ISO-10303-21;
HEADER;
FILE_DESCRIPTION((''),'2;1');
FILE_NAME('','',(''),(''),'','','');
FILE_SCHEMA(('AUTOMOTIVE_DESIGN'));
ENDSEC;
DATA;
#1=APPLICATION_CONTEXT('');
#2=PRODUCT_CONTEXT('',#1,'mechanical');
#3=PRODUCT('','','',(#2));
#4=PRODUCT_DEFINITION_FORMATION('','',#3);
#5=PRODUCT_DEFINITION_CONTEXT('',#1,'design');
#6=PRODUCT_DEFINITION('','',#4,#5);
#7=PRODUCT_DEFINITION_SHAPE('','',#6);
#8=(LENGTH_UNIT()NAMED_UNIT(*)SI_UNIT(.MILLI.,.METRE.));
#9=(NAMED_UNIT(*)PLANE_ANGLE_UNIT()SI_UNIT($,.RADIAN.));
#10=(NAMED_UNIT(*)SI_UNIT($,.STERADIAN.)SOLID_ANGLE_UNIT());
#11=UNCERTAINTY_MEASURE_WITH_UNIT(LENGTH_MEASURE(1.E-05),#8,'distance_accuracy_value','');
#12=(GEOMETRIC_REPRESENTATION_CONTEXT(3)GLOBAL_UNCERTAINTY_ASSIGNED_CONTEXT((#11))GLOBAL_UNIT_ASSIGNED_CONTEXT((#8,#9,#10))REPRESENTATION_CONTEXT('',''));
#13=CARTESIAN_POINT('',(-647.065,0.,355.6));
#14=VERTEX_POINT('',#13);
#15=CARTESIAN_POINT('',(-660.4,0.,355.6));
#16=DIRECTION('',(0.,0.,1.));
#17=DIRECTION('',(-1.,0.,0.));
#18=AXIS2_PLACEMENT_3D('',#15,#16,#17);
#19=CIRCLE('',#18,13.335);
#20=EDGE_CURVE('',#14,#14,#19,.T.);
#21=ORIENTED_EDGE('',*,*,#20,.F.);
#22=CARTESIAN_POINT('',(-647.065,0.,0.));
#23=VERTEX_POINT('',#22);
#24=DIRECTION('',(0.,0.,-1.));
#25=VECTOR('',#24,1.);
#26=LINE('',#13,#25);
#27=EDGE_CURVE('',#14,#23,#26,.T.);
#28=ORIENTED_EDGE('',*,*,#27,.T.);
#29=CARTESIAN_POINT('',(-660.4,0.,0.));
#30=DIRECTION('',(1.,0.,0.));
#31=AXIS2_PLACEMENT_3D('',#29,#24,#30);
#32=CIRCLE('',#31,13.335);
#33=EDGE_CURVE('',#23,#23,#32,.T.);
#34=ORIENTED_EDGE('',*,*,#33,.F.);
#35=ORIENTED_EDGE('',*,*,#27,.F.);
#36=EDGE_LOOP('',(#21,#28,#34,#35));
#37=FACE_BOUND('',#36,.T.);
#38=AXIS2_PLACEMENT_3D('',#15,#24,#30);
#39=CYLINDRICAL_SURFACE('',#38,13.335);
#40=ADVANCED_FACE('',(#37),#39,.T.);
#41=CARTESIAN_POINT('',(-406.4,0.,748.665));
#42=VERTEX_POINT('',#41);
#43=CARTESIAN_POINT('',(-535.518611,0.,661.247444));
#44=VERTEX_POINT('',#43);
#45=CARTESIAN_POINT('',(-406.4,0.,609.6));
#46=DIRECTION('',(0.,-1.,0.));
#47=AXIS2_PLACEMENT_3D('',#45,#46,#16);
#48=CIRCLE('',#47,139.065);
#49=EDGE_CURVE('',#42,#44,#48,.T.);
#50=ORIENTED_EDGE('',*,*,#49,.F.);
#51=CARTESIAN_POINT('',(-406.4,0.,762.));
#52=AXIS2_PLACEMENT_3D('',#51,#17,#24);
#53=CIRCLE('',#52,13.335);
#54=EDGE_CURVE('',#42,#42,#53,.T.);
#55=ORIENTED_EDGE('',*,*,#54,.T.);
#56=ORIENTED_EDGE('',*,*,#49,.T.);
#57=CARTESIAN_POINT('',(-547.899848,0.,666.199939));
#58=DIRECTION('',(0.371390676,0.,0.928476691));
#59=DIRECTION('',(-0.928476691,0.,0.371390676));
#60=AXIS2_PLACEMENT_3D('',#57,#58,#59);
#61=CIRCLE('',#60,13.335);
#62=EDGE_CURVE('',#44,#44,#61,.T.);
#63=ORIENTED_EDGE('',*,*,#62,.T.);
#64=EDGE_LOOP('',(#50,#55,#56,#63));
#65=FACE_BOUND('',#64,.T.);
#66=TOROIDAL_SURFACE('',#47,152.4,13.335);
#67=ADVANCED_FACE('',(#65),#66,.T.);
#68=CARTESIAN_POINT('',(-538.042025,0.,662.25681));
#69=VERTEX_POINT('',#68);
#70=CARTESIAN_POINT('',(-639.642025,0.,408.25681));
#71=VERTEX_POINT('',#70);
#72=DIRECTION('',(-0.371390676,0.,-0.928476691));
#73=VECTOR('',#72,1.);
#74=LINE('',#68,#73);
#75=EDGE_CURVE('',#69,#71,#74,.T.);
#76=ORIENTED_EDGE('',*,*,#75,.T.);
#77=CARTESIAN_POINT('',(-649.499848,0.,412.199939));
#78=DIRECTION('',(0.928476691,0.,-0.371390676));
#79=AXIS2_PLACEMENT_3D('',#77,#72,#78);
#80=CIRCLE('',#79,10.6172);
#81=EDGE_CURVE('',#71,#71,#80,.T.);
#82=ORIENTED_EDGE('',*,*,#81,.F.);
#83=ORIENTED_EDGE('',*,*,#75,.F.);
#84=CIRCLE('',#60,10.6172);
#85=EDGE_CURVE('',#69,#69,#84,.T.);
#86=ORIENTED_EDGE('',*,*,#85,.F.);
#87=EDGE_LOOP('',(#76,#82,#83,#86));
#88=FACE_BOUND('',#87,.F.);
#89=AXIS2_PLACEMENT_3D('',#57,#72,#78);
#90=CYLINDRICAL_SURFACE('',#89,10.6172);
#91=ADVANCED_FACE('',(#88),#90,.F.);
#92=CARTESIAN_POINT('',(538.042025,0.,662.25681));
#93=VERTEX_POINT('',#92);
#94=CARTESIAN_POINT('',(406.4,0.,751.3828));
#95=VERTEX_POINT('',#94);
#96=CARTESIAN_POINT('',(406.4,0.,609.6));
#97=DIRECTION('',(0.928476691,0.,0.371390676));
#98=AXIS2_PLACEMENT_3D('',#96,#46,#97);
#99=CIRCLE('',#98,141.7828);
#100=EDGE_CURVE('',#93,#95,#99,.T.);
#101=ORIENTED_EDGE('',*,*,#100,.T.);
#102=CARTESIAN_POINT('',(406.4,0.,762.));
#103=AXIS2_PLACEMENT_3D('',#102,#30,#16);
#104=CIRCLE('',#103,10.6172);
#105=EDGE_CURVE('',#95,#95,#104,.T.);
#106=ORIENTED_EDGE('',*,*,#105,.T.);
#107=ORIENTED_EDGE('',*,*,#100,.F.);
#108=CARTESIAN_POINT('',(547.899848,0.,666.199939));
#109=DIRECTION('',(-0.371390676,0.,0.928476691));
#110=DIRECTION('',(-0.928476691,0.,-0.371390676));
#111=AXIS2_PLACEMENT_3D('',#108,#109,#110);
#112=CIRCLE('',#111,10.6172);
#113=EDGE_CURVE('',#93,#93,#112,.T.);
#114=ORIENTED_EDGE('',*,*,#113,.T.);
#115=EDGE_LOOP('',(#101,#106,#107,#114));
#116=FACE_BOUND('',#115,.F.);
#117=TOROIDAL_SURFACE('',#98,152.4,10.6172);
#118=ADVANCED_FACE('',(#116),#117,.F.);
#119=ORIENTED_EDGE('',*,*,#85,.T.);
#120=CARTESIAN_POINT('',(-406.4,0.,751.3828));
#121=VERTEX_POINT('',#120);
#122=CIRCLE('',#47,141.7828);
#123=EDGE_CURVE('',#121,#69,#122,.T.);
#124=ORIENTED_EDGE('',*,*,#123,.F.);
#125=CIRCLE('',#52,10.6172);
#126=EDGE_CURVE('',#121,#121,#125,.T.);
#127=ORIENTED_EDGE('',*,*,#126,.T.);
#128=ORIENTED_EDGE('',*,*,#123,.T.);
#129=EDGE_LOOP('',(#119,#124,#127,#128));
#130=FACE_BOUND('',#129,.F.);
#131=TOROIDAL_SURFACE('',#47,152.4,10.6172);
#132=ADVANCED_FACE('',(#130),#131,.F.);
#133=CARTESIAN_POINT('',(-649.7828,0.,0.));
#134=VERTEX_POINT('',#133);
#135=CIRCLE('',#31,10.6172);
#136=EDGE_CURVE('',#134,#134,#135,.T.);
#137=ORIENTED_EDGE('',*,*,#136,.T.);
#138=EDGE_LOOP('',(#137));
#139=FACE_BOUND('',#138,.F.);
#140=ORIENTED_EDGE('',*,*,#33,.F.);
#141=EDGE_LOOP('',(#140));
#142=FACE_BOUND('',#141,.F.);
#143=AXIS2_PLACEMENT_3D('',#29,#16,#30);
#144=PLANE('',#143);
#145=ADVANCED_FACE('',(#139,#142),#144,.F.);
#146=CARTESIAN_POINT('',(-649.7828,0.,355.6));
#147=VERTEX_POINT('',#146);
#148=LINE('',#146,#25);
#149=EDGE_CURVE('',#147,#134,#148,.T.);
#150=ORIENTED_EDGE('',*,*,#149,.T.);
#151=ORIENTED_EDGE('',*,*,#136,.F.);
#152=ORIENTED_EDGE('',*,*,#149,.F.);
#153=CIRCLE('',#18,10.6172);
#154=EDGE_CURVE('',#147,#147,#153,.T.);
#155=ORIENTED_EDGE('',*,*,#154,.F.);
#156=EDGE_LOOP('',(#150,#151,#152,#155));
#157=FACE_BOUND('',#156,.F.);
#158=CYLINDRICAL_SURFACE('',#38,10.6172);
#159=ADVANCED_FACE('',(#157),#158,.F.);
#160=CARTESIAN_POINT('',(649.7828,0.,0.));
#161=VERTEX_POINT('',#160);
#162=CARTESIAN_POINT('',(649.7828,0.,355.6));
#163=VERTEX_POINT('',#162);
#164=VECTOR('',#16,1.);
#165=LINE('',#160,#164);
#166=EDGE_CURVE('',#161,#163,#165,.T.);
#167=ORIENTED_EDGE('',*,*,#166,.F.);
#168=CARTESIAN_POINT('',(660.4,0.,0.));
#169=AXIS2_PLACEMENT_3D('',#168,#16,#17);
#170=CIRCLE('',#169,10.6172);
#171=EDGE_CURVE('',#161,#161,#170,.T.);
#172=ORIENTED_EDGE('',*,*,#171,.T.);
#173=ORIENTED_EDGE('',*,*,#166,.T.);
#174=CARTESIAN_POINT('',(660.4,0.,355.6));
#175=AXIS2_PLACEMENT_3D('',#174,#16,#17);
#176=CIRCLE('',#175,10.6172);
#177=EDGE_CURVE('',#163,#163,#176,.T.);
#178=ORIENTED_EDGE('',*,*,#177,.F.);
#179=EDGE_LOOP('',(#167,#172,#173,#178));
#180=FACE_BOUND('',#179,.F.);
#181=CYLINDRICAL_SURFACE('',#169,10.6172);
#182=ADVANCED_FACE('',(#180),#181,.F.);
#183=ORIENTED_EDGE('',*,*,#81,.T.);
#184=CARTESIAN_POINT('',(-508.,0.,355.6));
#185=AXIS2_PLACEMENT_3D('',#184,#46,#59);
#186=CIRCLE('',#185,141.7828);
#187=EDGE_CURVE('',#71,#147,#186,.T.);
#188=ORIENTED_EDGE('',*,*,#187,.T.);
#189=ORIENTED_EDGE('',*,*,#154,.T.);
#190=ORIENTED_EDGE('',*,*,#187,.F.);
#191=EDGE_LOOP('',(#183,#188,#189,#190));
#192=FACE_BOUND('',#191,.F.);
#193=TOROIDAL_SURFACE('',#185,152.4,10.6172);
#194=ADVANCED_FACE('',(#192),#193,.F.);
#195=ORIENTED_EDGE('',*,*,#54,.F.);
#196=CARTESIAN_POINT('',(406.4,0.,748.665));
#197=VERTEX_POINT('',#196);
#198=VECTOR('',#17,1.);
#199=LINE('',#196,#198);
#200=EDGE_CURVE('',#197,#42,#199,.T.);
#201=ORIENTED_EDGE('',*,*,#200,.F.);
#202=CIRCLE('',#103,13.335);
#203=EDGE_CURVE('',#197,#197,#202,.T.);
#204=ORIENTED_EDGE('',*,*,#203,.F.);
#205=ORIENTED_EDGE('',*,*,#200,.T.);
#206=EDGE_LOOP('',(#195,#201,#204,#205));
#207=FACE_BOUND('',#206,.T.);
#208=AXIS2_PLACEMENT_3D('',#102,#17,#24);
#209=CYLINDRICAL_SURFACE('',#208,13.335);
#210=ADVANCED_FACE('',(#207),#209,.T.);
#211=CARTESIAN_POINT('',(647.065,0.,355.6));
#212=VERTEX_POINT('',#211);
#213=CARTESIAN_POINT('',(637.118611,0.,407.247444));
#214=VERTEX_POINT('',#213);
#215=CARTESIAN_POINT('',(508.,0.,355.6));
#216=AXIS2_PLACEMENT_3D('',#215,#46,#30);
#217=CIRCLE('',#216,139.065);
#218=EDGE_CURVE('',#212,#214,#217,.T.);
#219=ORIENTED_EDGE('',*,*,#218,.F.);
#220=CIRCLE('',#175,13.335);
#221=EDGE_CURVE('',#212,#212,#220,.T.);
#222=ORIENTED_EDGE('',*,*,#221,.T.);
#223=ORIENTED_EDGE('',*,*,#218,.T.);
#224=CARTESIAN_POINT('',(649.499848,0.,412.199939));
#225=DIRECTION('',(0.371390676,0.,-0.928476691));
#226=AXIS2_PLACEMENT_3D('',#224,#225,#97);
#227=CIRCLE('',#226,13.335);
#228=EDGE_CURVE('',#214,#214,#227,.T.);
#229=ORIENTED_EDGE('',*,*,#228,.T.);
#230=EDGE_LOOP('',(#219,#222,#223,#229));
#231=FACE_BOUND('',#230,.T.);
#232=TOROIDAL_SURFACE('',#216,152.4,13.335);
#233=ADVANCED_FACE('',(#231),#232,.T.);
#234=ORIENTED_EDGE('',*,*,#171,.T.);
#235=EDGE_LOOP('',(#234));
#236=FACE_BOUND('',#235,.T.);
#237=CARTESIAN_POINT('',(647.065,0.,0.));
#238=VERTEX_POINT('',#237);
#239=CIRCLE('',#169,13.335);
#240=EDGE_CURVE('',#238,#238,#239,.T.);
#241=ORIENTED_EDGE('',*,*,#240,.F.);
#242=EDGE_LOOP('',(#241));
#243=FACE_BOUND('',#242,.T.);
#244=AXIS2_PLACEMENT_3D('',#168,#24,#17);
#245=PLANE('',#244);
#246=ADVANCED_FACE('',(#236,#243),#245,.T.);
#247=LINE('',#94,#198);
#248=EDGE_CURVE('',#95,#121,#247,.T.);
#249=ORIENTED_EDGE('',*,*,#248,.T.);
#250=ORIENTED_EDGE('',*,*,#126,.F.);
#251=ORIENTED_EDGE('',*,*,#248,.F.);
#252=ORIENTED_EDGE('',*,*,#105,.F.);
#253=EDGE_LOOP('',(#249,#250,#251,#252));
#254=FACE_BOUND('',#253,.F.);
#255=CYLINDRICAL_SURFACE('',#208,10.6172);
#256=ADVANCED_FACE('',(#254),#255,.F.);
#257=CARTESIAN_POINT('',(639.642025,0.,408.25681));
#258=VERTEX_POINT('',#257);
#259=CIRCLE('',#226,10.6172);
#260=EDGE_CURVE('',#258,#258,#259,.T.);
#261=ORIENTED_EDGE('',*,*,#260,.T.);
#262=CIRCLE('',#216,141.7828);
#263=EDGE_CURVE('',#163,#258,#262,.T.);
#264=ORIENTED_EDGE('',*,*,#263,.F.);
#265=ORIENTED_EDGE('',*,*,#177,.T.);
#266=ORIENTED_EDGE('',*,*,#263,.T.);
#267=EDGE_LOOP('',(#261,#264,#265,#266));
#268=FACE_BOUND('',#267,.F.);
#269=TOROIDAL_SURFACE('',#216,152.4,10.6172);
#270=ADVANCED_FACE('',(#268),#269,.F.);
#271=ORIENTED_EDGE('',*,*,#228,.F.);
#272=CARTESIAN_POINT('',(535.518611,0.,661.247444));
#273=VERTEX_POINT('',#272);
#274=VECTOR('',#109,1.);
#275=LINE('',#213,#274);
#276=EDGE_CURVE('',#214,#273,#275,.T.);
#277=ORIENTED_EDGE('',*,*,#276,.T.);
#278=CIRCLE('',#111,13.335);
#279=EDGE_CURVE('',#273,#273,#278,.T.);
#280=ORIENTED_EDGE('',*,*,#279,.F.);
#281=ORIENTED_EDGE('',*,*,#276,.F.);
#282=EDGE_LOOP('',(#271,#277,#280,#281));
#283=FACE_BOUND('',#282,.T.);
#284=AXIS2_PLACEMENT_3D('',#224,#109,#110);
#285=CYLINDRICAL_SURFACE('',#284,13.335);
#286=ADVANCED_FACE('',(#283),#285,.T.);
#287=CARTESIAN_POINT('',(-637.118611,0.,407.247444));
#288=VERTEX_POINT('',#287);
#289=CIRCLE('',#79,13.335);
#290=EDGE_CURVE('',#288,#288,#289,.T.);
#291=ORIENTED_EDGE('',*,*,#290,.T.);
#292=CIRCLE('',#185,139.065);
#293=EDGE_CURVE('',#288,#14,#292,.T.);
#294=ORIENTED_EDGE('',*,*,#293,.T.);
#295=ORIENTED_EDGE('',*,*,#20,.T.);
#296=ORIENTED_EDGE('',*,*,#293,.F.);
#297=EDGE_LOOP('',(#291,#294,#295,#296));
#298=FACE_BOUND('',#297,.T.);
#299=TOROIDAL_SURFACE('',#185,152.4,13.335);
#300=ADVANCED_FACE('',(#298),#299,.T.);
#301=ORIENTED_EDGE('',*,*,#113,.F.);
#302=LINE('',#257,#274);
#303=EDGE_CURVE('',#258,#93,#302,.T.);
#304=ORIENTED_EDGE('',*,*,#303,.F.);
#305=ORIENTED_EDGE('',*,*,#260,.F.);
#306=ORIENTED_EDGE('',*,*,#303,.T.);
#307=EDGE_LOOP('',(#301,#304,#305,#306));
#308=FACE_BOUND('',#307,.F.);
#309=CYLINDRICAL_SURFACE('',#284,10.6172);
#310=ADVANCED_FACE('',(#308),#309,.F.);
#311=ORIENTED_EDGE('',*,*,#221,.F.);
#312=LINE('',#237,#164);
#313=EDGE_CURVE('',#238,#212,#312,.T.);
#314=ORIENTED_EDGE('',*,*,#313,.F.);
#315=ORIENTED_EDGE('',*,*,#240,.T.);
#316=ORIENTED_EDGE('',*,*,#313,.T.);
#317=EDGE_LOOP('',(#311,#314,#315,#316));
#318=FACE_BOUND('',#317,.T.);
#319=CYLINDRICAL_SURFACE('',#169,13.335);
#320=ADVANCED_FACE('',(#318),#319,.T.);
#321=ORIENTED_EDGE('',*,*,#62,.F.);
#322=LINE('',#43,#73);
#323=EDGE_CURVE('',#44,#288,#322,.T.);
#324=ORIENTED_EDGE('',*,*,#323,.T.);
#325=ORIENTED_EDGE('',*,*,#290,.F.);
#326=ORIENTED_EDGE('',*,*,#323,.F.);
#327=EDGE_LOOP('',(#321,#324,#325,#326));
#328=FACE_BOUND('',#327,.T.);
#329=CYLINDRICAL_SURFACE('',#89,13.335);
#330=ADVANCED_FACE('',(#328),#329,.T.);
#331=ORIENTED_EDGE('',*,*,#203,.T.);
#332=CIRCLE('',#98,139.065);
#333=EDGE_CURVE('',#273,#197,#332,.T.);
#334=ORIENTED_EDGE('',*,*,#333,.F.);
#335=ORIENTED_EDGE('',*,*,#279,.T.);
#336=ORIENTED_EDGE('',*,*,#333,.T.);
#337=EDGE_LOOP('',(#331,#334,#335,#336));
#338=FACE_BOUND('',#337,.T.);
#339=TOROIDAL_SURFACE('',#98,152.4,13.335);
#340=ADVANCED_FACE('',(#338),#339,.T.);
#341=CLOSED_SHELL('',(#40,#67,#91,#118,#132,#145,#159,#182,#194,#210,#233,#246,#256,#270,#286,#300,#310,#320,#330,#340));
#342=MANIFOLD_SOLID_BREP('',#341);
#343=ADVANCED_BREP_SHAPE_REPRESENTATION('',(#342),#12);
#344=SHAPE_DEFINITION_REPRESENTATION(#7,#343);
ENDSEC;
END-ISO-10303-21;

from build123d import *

# Parameters (mm, degrees)
F1_R   = 13.335
F1_R_2 = 10.6172


with BuildPart() as f2:
    # F2: sweep along a path in F0
    with BuildLine(Plane.XZ) as f2_path:
        Line((660.4, 0), (660.4, 355.6))
        ThreePointArc((660.4, 355.6), (657.6501533379, 384.419986224), (649.4998476909, 412.1999390764))
        Line((649.4998476909, 412.1999390764), (547.8998476909, 666.1999390764))
        ThreePointArc((547.8998476909, 666.1999390764), (491.8398305381, 735.7974459235), (406.4, 762))
        Line((406.4, 762), (0, 762))
        Line((0, 762), (-406.4, 762))
        ThreePointArc((-406.4, 762), (-491.8398305381, 735.7974459235), (-547.8998476909, 666.1999390764))
        Line((-547.8998476909, 666.1999390764), (-649.4998476909, 412.1999390764))
        ThreePointArc((-649.4998476909, 412.1999390764), (-657.6501533379, 384.419986224), (-660.4, 355.6))
        Line((-660.4, 355.6), (-660.4, 0))
    # F1 (on Top) → F2 (sweep)
    with BuildSketch(Plane.XY):
        with Locations((-660.4, 0)):
            Circle(F1_R)
        with Locations((-660.4, 0)):
            Circle(F1_R_2, mode=Mode.SUBTRACT)
    sweep(path=f2_path.line)


solid = f2.part
